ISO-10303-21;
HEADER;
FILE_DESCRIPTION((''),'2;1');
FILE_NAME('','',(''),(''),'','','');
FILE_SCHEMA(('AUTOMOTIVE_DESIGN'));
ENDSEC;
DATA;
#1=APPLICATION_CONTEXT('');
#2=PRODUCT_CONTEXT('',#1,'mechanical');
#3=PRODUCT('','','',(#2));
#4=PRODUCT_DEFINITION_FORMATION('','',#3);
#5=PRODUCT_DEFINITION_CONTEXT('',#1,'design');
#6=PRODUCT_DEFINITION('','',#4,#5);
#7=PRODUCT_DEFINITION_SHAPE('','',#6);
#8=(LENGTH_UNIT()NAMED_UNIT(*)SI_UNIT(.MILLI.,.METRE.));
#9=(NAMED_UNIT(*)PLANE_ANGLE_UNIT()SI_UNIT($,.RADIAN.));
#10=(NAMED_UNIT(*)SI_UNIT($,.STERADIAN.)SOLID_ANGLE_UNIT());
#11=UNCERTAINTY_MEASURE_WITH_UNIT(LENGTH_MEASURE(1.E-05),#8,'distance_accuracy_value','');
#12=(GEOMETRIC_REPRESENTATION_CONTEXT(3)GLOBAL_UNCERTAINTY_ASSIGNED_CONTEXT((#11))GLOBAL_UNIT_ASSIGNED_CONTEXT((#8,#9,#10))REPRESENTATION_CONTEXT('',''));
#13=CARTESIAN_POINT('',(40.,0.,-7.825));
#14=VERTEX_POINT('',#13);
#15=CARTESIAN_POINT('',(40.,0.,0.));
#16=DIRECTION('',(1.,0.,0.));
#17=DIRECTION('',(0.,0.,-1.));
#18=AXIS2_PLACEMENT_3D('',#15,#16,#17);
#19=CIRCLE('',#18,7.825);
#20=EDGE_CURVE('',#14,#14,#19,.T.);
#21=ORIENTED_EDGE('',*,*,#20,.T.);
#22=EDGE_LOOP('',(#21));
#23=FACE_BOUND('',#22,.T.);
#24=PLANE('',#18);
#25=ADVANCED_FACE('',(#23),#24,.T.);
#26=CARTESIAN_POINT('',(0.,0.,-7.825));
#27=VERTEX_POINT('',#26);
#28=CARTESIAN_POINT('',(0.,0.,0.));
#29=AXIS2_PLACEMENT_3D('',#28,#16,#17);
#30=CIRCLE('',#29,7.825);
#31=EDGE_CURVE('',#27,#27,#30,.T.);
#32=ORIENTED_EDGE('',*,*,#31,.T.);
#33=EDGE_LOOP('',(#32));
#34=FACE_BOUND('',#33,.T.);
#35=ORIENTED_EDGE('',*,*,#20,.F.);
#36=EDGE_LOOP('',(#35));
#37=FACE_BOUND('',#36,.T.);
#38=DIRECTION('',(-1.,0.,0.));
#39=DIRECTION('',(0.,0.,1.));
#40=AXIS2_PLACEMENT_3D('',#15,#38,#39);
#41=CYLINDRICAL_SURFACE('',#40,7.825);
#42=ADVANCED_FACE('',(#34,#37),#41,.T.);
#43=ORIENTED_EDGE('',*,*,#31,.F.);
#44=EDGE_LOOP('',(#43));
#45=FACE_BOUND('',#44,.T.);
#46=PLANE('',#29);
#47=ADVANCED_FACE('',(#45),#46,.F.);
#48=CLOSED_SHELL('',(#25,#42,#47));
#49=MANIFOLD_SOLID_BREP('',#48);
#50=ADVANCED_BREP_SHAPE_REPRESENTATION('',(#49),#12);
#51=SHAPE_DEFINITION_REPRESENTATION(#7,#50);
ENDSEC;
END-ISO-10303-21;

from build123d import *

# Parameters (mm, degrees)
SKETCH1_R           = 7.825
BOSS_EXTRUDE1_DEPTH = 40


with BuildPart() as part:
    # Sketch1 → Boss-Extrude1 (new body)
    with BuildSketch(Plane.YZ):
        with Locations(Location((0, 0, 0), (0, 0, 270))):
            Circle(SKETCH1_R)
    extrude(amount=BOSS_EXTRUDE1_DEPTH)


solid = part.part
